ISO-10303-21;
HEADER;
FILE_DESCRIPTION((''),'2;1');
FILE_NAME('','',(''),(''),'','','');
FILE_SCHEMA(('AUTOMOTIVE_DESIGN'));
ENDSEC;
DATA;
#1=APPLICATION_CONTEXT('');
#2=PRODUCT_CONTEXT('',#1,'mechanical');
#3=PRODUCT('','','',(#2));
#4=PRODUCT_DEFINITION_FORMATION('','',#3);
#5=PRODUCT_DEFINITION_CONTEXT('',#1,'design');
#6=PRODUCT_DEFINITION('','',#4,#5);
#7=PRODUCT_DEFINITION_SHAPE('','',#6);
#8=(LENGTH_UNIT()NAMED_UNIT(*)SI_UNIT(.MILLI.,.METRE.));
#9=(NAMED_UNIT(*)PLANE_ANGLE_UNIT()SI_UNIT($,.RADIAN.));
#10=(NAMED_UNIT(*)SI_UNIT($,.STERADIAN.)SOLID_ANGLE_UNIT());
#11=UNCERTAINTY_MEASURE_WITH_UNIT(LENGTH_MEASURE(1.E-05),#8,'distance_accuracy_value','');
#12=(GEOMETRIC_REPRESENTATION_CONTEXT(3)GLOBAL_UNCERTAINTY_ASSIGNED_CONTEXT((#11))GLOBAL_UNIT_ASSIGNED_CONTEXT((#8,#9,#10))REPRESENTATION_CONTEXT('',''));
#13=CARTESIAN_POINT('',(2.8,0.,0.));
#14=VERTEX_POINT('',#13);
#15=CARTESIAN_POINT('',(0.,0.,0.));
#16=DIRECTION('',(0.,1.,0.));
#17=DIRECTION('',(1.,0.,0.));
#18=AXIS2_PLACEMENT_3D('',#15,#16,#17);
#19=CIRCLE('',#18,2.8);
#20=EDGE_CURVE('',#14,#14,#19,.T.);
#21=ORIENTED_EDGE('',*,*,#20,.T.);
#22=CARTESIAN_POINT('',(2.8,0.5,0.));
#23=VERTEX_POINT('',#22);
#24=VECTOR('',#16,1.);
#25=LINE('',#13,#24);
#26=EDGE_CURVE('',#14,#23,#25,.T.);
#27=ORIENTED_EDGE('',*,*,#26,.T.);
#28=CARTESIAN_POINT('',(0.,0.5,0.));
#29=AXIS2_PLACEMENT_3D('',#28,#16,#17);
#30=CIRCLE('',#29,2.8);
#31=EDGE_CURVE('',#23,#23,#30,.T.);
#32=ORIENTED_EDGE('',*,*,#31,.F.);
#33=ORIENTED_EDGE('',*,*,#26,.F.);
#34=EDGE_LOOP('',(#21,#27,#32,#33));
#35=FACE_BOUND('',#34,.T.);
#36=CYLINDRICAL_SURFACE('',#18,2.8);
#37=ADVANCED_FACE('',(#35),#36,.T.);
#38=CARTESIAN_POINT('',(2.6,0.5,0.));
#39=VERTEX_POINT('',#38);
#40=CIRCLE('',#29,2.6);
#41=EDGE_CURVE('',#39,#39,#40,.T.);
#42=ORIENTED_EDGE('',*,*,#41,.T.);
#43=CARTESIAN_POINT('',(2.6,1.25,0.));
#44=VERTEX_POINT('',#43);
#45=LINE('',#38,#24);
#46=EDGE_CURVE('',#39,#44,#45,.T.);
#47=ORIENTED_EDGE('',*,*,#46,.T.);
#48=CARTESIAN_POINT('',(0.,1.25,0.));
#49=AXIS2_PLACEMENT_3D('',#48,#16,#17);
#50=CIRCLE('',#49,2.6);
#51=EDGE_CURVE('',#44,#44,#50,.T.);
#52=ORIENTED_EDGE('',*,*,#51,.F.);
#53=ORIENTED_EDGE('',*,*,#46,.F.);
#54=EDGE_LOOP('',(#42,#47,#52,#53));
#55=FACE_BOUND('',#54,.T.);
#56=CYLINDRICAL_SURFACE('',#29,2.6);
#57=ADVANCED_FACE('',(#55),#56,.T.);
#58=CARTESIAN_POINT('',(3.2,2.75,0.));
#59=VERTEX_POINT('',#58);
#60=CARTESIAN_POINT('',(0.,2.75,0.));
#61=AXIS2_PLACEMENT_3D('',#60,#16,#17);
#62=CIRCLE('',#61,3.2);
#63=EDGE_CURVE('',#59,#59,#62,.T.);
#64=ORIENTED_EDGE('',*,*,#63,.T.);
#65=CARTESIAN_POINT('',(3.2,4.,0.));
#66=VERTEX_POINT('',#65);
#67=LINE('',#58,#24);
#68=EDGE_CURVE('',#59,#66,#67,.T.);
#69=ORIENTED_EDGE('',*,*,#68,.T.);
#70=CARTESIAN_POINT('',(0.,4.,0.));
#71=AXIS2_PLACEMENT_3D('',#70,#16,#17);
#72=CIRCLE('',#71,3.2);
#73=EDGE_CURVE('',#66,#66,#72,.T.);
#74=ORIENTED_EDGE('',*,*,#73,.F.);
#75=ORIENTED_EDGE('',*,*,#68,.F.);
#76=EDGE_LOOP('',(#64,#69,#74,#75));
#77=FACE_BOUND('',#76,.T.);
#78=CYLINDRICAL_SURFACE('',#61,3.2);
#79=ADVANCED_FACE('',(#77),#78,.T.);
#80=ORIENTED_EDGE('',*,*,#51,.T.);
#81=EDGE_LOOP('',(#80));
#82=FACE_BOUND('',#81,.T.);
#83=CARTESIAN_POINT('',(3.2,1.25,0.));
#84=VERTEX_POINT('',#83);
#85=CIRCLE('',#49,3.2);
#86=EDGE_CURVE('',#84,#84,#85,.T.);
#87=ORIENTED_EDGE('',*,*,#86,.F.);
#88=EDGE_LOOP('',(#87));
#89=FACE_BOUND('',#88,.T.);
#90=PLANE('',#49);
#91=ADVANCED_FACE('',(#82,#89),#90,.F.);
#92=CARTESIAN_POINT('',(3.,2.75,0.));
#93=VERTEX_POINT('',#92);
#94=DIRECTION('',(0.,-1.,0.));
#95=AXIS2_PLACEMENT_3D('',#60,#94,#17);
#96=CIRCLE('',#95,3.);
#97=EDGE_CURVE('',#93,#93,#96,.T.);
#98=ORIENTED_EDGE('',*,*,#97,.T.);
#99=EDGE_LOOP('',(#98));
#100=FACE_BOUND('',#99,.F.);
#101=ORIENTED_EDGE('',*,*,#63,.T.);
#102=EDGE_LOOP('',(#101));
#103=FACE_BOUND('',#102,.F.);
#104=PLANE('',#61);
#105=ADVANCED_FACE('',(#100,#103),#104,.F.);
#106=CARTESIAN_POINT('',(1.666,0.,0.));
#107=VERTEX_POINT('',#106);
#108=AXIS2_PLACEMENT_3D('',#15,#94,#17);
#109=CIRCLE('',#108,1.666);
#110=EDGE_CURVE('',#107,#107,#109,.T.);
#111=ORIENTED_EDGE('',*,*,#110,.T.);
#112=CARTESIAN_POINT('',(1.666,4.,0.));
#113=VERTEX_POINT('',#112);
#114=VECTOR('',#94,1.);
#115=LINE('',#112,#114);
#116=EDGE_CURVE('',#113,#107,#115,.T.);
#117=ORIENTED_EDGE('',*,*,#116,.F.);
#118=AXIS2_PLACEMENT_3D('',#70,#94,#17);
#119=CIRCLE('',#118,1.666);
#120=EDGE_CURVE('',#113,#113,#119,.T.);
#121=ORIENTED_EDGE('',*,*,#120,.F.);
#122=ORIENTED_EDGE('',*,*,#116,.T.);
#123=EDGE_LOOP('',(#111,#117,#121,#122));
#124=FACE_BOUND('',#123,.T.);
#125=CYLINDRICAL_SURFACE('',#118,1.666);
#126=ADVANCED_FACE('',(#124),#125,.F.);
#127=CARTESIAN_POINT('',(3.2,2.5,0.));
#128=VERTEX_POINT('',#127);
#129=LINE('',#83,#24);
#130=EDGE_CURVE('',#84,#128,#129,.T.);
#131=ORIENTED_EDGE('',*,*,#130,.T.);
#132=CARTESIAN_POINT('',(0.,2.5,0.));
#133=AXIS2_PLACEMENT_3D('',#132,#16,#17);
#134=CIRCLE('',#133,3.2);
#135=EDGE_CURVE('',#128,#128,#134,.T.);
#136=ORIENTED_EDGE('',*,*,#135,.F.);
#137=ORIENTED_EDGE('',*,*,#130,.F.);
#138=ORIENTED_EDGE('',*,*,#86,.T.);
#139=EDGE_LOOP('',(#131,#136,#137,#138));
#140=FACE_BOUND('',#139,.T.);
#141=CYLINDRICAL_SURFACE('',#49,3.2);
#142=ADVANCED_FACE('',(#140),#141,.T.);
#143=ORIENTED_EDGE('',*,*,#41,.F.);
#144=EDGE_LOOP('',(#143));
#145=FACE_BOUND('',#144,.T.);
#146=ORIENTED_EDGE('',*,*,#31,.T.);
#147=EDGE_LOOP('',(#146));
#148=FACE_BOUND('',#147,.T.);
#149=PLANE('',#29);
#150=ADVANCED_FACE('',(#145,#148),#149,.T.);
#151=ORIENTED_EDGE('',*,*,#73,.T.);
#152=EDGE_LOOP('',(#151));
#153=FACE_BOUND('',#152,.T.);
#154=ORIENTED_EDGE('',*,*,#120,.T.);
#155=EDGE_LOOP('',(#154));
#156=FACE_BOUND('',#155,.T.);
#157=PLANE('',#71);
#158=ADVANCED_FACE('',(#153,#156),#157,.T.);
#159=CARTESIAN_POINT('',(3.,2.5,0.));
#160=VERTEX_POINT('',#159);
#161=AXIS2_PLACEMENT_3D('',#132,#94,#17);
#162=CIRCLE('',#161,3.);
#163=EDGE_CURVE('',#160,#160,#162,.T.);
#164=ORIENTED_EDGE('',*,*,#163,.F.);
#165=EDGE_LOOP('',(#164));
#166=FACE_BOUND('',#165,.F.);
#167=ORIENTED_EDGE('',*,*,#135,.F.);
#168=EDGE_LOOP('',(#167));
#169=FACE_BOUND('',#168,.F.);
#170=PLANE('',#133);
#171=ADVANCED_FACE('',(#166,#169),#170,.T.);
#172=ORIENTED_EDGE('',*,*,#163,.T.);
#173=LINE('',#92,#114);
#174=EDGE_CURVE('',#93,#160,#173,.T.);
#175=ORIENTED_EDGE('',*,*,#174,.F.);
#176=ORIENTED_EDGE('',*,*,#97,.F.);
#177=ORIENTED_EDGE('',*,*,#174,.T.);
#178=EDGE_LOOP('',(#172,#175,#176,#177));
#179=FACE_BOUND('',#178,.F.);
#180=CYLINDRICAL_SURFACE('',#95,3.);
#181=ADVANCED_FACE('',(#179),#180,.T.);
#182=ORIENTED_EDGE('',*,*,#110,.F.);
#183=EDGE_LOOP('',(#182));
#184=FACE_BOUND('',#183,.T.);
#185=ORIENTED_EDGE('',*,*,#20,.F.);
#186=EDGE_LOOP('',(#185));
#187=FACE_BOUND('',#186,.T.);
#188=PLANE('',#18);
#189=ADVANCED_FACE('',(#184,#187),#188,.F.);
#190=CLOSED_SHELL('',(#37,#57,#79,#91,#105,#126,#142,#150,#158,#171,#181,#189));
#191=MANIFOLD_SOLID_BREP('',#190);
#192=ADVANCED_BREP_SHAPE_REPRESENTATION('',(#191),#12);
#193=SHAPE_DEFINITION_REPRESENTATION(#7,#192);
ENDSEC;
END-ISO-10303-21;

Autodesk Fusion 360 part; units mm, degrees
sketch "Sketch1" plane through (0, 0, 0) normal (0, 0, 1) x (1, 0, 0)
  line L0 (2, 0) -> (2.8, 0)
  line L1 (2.8, 0) -> (2.8, 0.5)
  line L2 (2.8, 0.5) -> (2.6, 0.5)
  line L3 (2.6, 0.5) -> (2.6, 1.25)
  line L4 (2.6, 1.25) -> (3.2, 1.25)
  line L5 (3.2, 4) -> (2, 4)
  line L6 (2, 4) -> (2, 0)
  line L7 (3.2, 2.75) -> (3, 2.75)
  line L8 (3, 2.75) -> (3, 2.5)
  line L9 (3, 2.5) -> (3.2, 2.5)
  line L10 (3.2, 1.25) -> (3.2, 2.5)
  line L11 (3.2, 2.75) -> (3.2, 4)
  dimension "d1" = 4
  dimension "d6" = 2
  dimension "d7" = 2.8
  dimension "d8" = 3.2
  dimension "d9" = 2.75
  dimension "d10" = 0.5
  dimension "d11" = 0.25
  dimension "d12" = 0.2
  dimension "d13" = 0.2
revolve "Revolve1" add sketch "Sketch1" angle 360 about axis through (0, 1.75, 0) along (0, 1, 0)
thread "Thread1" "ISO Metric profile 4.0 M4x0.7 6H" major diameter 4.1095 minor diameter 3.332 pitch 0.7 angle 60 resizes the face on face at (1.9975, 1.3333, 0.0997)
equation "d7 = ( 5.6 / 2 ) * 1 mm"
equation "d8 = ( 6.4 / 2 ) * 1 mm"
